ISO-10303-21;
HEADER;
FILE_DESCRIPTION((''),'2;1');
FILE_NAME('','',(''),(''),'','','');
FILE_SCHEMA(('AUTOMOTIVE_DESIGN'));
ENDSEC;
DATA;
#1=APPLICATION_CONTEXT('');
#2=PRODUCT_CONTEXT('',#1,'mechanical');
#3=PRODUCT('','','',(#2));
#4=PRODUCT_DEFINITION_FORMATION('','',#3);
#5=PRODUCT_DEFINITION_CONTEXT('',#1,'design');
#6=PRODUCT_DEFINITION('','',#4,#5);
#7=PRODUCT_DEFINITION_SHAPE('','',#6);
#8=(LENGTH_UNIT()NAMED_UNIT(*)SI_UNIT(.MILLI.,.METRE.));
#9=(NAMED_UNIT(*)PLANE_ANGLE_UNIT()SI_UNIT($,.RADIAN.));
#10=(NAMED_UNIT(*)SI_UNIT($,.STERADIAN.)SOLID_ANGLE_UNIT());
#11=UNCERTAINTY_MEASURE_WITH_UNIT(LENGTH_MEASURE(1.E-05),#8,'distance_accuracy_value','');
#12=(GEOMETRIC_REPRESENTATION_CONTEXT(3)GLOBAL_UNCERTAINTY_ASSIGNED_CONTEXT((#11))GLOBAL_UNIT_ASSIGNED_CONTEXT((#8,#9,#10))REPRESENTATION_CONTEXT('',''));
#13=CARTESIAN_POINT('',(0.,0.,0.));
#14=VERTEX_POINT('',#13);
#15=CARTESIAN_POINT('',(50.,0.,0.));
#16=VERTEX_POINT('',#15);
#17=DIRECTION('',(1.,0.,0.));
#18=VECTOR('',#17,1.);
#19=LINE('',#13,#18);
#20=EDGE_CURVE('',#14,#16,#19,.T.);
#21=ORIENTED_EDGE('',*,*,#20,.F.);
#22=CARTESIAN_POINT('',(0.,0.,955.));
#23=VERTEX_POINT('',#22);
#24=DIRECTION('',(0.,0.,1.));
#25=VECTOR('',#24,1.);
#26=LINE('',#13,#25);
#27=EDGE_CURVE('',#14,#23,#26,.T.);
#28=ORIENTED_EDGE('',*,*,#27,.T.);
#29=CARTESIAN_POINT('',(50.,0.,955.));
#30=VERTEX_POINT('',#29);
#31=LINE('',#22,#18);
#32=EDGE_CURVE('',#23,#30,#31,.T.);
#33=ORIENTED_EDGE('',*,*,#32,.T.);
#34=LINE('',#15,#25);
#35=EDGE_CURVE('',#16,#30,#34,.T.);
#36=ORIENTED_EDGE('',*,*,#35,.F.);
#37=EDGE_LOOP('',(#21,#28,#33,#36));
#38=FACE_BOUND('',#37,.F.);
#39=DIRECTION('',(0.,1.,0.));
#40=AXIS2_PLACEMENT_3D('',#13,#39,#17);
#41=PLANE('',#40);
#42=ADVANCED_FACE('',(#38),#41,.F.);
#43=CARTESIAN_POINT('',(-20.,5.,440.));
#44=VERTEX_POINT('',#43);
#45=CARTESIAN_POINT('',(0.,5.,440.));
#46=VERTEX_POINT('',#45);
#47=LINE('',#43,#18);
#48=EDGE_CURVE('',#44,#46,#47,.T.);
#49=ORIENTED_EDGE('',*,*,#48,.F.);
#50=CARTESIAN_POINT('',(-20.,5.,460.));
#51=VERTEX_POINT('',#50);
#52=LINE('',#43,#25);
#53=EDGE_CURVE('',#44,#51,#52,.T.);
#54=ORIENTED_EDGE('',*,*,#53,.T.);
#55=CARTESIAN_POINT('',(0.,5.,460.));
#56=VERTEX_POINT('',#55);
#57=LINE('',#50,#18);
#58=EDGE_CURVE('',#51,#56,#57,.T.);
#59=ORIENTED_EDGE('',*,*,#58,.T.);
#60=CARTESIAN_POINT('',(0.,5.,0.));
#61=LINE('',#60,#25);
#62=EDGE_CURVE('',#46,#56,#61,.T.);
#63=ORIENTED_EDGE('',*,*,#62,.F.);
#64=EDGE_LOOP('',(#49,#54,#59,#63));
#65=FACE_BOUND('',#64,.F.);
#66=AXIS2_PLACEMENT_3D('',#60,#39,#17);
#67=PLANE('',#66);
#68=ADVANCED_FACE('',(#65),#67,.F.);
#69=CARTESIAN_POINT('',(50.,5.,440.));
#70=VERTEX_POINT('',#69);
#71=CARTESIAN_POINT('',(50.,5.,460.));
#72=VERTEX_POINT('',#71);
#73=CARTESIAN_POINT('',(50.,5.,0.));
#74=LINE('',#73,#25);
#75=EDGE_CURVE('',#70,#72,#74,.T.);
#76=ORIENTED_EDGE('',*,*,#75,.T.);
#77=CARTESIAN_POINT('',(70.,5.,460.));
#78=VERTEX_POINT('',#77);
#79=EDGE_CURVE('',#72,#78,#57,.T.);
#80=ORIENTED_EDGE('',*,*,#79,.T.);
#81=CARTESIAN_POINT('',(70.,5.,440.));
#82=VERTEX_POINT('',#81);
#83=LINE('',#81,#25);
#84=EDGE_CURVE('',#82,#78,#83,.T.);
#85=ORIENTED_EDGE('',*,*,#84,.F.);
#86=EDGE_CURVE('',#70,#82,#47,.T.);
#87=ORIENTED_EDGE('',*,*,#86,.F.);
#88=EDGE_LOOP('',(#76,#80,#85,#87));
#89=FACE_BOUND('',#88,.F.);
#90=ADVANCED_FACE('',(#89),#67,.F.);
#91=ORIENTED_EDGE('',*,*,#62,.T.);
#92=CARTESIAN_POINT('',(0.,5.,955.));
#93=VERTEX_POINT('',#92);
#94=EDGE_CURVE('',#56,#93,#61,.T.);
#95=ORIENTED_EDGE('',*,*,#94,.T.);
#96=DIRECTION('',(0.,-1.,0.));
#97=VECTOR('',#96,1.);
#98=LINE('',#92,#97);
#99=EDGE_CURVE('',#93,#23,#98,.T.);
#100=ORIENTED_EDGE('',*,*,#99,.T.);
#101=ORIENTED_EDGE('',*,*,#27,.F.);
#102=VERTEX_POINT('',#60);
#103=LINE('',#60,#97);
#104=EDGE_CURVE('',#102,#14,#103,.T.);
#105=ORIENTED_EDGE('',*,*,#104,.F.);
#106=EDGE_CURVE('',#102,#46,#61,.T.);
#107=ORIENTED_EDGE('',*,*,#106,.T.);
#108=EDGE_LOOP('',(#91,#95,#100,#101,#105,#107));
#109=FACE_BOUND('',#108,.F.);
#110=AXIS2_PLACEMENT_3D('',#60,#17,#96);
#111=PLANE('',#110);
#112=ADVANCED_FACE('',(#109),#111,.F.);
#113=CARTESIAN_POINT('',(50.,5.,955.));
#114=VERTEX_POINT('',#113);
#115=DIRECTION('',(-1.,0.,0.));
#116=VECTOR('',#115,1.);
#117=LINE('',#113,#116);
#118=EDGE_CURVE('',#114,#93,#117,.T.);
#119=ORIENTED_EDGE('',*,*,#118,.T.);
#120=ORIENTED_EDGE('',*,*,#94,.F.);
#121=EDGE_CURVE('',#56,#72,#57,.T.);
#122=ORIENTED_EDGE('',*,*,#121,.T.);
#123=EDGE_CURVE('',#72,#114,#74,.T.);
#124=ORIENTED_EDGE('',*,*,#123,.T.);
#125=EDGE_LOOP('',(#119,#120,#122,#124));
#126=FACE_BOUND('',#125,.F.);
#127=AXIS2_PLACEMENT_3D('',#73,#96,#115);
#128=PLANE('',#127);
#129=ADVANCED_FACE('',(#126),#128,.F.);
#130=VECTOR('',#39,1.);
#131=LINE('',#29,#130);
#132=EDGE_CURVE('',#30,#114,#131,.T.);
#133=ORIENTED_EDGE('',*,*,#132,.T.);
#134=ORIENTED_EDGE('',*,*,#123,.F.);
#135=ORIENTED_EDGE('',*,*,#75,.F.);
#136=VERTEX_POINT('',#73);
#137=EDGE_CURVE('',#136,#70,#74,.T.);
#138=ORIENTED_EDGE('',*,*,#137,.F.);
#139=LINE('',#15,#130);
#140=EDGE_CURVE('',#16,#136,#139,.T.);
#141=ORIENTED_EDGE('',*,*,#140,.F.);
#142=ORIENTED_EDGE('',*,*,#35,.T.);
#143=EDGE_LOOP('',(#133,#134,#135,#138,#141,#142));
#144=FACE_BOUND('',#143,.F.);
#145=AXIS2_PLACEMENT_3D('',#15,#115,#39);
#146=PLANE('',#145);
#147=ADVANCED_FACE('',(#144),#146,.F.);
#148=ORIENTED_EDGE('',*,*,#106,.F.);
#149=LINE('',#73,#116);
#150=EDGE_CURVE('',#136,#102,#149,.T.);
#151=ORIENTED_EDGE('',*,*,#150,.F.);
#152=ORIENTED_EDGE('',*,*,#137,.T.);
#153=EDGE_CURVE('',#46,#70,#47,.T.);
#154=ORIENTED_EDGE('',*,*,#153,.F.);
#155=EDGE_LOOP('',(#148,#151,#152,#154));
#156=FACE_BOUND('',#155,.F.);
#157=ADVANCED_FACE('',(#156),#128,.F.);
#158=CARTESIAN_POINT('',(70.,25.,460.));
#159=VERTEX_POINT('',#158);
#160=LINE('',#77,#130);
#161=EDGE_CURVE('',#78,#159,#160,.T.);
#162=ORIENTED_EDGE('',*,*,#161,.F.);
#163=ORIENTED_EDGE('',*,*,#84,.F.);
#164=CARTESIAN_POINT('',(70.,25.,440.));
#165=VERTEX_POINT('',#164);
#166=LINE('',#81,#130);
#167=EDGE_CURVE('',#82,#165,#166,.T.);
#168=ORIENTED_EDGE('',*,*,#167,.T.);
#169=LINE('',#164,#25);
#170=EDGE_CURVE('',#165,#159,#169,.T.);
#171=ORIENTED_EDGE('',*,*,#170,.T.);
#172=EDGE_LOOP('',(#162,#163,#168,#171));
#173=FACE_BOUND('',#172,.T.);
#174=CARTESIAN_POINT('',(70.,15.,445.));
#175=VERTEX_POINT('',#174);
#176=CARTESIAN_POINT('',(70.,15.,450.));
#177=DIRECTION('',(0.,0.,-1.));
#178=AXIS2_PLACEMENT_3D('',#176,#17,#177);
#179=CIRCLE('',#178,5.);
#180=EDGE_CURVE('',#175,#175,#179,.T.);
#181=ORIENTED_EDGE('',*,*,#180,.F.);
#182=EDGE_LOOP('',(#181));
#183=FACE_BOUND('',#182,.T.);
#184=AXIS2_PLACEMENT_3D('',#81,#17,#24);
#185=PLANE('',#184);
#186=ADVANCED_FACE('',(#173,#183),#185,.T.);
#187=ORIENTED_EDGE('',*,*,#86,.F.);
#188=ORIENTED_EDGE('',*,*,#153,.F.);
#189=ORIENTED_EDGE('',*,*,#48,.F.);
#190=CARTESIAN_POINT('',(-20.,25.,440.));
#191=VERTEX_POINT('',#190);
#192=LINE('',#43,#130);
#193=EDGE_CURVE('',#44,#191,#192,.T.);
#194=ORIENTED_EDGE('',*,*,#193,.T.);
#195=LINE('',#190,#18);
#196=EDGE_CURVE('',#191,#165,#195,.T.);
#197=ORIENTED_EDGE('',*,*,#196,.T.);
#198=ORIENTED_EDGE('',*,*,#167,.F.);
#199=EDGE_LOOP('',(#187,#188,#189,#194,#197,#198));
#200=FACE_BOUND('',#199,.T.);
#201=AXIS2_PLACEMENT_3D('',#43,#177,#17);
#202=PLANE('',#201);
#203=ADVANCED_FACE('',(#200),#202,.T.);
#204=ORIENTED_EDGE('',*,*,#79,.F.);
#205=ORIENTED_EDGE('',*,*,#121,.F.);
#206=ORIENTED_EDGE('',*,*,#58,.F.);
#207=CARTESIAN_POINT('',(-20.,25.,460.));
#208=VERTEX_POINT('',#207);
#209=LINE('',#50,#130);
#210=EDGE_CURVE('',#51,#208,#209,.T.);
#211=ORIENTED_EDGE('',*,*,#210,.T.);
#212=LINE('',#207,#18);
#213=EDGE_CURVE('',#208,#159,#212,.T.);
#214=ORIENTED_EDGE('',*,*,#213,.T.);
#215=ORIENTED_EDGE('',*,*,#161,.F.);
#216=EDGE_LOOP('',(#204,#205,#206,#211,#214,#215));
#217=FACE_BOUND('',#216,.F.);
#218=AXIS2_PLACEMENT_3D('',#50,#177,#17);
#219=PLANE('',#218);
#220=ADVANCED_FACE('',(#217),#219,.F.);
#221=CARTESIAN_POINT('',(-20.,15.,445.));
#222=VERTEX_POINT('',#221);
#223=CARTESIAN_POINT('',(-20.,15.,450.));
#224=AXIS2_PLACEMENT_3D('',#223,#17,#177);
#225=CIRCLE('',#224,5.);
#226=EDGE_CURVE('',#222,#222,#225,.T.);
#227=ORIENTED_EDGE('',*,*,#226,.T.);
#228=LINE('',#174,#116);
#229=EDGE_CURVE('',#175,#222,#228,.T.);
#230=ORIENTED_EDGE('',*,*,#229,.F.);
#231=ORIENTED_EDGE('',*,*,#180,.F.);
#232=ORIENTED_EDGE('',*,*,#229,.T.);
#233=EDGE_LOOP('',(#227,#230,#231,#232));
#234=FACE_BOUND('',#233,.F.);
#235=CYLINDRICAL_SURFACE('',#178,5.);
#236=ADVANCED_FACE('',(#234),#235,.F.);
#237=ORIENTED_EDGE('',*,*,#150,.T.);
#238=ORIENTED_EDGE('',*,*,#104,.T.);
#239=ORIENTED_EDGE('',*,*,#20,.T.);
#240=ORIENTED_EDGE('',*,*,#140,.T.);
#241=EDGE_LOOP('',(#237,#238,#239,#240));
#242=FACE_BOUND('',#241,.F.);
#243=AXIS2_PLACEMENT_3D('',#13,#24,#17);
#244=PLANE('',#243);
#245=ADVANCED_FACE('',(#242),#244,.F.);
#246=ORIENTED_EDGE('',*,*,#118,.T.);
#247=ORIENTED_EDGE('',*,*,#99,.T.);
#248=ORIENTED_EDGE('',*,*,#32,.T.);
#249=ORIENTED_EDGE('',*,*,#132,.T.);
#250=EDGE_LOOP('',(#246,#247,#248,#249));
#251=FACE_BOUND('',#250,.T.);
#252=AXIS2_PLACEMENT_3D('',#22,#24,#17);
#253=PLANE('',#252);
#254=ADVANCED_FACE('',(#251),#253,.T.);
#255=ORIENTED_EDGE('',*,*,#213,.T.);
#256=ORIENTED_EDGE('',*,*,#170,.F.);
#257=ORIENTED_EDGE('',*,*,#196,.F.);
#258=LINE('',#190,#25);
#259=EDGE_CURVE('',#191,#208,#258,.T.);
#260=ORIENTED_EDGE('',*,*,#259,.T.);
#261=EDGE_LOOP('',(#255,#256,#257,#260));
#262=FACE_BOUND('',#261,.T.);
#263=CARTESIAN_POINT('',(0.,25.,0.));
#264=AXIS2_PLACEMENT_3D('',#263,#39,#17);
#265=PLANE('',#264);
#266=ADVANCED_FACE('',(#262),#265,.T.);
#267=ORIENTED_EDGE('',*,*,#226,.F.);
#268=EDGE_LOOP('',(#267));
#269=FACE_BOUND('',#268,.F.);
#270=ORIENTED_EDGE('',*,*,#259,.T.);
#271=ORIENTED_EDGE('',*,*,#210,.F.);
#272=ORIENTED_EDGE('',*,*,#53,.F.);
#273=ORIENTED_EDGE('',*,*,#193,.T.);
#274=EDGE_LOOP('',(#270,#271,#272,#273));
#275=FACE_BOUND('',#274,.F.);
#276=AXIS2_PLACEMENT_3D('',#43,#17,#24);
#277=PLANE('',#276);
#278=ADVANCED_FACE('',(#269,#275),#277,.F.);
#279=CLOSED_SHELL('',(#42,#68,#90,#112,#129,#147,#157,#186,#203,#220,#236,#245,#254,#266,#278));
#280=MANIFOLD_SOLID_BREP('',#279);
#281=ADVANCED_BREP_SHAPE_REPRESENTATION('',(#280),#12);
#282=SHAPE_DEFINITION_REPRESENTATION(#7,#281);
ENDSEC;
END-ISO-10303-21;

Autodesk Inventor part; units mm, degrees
ref_plane "YZ Plane" through (0, 0, 0) normal (1, 0, 0) x (0, 1, 0)
ref_plane "XZ Plane" through (0, 0, 0) normal (0, 1, 0) x (-1, 0, 0)
sketch "Sketch1" plane through (0, 0, 0) normal (0, 0, 1) x (1, 0, 0)
  line L0 (0, 0) -> (50, 0)
  line L1 (50, 0) -> (50, 5)
  line L2 (50, 5) -> (0, 5)
  line L3 (0, 5) -> (0, 0)
  dimension "d0" = 50
  dimension "d1" = 5
extrude "Extrusion1" add sketch "Sketch1" along normal blind 955
ref_plane "Work Plane1" through (0, 0, 0) normal (0, 0, 1) x (1, 0, 0)
sketch "Sketch3" plane through (0, 0, 0) normal (0, 0, 1) x (1, 0, 0)
  line L0 (0, 0) -> (50, 0) projected
  line L1 (0, 5) -> (0, 0) projected
  line L2 (50, 5) -> (0, 5) projected
  line L3 (50, 0) -> (50, 5) projected
  line L4 (0, 5) -> (50, 5) projected
  line L5 (0, 5) -> (0, 25) projected
  line L6 (50, 25) -> (0, 25) projected
  line L7 (50, 5) -> (50, 25) projected
sketch "Sketch5" plane through (0, 5, 0) normal (0, 1, 0) x (1, 0, 0)
  line L0 (70, -440) -> (70, -460)
  line L1 (-20, -440) -> (-20, -460)
  line L2 (50, 0) -> (0, 0) projected
  line L3 (-20, -460) -> (70, -460)
  line L4 (-20, -440) -> (70, -440)
  point P0 (50, -450)
  dimension "d33" = 20
extrude "Extrusion7" add sketch "Sketch5" along normal blind 20
sketch "Sketch7" plane through (70, 5, 460) normal (1, 0, 0) x (0, 0, -1)
  circle A0 centre (10, 10) radius 5
  point P0 (460, -5)
  dimension "d39" = 10
extrude "Extrusion8" cut sketch "Sketch7" against normal blind 100
